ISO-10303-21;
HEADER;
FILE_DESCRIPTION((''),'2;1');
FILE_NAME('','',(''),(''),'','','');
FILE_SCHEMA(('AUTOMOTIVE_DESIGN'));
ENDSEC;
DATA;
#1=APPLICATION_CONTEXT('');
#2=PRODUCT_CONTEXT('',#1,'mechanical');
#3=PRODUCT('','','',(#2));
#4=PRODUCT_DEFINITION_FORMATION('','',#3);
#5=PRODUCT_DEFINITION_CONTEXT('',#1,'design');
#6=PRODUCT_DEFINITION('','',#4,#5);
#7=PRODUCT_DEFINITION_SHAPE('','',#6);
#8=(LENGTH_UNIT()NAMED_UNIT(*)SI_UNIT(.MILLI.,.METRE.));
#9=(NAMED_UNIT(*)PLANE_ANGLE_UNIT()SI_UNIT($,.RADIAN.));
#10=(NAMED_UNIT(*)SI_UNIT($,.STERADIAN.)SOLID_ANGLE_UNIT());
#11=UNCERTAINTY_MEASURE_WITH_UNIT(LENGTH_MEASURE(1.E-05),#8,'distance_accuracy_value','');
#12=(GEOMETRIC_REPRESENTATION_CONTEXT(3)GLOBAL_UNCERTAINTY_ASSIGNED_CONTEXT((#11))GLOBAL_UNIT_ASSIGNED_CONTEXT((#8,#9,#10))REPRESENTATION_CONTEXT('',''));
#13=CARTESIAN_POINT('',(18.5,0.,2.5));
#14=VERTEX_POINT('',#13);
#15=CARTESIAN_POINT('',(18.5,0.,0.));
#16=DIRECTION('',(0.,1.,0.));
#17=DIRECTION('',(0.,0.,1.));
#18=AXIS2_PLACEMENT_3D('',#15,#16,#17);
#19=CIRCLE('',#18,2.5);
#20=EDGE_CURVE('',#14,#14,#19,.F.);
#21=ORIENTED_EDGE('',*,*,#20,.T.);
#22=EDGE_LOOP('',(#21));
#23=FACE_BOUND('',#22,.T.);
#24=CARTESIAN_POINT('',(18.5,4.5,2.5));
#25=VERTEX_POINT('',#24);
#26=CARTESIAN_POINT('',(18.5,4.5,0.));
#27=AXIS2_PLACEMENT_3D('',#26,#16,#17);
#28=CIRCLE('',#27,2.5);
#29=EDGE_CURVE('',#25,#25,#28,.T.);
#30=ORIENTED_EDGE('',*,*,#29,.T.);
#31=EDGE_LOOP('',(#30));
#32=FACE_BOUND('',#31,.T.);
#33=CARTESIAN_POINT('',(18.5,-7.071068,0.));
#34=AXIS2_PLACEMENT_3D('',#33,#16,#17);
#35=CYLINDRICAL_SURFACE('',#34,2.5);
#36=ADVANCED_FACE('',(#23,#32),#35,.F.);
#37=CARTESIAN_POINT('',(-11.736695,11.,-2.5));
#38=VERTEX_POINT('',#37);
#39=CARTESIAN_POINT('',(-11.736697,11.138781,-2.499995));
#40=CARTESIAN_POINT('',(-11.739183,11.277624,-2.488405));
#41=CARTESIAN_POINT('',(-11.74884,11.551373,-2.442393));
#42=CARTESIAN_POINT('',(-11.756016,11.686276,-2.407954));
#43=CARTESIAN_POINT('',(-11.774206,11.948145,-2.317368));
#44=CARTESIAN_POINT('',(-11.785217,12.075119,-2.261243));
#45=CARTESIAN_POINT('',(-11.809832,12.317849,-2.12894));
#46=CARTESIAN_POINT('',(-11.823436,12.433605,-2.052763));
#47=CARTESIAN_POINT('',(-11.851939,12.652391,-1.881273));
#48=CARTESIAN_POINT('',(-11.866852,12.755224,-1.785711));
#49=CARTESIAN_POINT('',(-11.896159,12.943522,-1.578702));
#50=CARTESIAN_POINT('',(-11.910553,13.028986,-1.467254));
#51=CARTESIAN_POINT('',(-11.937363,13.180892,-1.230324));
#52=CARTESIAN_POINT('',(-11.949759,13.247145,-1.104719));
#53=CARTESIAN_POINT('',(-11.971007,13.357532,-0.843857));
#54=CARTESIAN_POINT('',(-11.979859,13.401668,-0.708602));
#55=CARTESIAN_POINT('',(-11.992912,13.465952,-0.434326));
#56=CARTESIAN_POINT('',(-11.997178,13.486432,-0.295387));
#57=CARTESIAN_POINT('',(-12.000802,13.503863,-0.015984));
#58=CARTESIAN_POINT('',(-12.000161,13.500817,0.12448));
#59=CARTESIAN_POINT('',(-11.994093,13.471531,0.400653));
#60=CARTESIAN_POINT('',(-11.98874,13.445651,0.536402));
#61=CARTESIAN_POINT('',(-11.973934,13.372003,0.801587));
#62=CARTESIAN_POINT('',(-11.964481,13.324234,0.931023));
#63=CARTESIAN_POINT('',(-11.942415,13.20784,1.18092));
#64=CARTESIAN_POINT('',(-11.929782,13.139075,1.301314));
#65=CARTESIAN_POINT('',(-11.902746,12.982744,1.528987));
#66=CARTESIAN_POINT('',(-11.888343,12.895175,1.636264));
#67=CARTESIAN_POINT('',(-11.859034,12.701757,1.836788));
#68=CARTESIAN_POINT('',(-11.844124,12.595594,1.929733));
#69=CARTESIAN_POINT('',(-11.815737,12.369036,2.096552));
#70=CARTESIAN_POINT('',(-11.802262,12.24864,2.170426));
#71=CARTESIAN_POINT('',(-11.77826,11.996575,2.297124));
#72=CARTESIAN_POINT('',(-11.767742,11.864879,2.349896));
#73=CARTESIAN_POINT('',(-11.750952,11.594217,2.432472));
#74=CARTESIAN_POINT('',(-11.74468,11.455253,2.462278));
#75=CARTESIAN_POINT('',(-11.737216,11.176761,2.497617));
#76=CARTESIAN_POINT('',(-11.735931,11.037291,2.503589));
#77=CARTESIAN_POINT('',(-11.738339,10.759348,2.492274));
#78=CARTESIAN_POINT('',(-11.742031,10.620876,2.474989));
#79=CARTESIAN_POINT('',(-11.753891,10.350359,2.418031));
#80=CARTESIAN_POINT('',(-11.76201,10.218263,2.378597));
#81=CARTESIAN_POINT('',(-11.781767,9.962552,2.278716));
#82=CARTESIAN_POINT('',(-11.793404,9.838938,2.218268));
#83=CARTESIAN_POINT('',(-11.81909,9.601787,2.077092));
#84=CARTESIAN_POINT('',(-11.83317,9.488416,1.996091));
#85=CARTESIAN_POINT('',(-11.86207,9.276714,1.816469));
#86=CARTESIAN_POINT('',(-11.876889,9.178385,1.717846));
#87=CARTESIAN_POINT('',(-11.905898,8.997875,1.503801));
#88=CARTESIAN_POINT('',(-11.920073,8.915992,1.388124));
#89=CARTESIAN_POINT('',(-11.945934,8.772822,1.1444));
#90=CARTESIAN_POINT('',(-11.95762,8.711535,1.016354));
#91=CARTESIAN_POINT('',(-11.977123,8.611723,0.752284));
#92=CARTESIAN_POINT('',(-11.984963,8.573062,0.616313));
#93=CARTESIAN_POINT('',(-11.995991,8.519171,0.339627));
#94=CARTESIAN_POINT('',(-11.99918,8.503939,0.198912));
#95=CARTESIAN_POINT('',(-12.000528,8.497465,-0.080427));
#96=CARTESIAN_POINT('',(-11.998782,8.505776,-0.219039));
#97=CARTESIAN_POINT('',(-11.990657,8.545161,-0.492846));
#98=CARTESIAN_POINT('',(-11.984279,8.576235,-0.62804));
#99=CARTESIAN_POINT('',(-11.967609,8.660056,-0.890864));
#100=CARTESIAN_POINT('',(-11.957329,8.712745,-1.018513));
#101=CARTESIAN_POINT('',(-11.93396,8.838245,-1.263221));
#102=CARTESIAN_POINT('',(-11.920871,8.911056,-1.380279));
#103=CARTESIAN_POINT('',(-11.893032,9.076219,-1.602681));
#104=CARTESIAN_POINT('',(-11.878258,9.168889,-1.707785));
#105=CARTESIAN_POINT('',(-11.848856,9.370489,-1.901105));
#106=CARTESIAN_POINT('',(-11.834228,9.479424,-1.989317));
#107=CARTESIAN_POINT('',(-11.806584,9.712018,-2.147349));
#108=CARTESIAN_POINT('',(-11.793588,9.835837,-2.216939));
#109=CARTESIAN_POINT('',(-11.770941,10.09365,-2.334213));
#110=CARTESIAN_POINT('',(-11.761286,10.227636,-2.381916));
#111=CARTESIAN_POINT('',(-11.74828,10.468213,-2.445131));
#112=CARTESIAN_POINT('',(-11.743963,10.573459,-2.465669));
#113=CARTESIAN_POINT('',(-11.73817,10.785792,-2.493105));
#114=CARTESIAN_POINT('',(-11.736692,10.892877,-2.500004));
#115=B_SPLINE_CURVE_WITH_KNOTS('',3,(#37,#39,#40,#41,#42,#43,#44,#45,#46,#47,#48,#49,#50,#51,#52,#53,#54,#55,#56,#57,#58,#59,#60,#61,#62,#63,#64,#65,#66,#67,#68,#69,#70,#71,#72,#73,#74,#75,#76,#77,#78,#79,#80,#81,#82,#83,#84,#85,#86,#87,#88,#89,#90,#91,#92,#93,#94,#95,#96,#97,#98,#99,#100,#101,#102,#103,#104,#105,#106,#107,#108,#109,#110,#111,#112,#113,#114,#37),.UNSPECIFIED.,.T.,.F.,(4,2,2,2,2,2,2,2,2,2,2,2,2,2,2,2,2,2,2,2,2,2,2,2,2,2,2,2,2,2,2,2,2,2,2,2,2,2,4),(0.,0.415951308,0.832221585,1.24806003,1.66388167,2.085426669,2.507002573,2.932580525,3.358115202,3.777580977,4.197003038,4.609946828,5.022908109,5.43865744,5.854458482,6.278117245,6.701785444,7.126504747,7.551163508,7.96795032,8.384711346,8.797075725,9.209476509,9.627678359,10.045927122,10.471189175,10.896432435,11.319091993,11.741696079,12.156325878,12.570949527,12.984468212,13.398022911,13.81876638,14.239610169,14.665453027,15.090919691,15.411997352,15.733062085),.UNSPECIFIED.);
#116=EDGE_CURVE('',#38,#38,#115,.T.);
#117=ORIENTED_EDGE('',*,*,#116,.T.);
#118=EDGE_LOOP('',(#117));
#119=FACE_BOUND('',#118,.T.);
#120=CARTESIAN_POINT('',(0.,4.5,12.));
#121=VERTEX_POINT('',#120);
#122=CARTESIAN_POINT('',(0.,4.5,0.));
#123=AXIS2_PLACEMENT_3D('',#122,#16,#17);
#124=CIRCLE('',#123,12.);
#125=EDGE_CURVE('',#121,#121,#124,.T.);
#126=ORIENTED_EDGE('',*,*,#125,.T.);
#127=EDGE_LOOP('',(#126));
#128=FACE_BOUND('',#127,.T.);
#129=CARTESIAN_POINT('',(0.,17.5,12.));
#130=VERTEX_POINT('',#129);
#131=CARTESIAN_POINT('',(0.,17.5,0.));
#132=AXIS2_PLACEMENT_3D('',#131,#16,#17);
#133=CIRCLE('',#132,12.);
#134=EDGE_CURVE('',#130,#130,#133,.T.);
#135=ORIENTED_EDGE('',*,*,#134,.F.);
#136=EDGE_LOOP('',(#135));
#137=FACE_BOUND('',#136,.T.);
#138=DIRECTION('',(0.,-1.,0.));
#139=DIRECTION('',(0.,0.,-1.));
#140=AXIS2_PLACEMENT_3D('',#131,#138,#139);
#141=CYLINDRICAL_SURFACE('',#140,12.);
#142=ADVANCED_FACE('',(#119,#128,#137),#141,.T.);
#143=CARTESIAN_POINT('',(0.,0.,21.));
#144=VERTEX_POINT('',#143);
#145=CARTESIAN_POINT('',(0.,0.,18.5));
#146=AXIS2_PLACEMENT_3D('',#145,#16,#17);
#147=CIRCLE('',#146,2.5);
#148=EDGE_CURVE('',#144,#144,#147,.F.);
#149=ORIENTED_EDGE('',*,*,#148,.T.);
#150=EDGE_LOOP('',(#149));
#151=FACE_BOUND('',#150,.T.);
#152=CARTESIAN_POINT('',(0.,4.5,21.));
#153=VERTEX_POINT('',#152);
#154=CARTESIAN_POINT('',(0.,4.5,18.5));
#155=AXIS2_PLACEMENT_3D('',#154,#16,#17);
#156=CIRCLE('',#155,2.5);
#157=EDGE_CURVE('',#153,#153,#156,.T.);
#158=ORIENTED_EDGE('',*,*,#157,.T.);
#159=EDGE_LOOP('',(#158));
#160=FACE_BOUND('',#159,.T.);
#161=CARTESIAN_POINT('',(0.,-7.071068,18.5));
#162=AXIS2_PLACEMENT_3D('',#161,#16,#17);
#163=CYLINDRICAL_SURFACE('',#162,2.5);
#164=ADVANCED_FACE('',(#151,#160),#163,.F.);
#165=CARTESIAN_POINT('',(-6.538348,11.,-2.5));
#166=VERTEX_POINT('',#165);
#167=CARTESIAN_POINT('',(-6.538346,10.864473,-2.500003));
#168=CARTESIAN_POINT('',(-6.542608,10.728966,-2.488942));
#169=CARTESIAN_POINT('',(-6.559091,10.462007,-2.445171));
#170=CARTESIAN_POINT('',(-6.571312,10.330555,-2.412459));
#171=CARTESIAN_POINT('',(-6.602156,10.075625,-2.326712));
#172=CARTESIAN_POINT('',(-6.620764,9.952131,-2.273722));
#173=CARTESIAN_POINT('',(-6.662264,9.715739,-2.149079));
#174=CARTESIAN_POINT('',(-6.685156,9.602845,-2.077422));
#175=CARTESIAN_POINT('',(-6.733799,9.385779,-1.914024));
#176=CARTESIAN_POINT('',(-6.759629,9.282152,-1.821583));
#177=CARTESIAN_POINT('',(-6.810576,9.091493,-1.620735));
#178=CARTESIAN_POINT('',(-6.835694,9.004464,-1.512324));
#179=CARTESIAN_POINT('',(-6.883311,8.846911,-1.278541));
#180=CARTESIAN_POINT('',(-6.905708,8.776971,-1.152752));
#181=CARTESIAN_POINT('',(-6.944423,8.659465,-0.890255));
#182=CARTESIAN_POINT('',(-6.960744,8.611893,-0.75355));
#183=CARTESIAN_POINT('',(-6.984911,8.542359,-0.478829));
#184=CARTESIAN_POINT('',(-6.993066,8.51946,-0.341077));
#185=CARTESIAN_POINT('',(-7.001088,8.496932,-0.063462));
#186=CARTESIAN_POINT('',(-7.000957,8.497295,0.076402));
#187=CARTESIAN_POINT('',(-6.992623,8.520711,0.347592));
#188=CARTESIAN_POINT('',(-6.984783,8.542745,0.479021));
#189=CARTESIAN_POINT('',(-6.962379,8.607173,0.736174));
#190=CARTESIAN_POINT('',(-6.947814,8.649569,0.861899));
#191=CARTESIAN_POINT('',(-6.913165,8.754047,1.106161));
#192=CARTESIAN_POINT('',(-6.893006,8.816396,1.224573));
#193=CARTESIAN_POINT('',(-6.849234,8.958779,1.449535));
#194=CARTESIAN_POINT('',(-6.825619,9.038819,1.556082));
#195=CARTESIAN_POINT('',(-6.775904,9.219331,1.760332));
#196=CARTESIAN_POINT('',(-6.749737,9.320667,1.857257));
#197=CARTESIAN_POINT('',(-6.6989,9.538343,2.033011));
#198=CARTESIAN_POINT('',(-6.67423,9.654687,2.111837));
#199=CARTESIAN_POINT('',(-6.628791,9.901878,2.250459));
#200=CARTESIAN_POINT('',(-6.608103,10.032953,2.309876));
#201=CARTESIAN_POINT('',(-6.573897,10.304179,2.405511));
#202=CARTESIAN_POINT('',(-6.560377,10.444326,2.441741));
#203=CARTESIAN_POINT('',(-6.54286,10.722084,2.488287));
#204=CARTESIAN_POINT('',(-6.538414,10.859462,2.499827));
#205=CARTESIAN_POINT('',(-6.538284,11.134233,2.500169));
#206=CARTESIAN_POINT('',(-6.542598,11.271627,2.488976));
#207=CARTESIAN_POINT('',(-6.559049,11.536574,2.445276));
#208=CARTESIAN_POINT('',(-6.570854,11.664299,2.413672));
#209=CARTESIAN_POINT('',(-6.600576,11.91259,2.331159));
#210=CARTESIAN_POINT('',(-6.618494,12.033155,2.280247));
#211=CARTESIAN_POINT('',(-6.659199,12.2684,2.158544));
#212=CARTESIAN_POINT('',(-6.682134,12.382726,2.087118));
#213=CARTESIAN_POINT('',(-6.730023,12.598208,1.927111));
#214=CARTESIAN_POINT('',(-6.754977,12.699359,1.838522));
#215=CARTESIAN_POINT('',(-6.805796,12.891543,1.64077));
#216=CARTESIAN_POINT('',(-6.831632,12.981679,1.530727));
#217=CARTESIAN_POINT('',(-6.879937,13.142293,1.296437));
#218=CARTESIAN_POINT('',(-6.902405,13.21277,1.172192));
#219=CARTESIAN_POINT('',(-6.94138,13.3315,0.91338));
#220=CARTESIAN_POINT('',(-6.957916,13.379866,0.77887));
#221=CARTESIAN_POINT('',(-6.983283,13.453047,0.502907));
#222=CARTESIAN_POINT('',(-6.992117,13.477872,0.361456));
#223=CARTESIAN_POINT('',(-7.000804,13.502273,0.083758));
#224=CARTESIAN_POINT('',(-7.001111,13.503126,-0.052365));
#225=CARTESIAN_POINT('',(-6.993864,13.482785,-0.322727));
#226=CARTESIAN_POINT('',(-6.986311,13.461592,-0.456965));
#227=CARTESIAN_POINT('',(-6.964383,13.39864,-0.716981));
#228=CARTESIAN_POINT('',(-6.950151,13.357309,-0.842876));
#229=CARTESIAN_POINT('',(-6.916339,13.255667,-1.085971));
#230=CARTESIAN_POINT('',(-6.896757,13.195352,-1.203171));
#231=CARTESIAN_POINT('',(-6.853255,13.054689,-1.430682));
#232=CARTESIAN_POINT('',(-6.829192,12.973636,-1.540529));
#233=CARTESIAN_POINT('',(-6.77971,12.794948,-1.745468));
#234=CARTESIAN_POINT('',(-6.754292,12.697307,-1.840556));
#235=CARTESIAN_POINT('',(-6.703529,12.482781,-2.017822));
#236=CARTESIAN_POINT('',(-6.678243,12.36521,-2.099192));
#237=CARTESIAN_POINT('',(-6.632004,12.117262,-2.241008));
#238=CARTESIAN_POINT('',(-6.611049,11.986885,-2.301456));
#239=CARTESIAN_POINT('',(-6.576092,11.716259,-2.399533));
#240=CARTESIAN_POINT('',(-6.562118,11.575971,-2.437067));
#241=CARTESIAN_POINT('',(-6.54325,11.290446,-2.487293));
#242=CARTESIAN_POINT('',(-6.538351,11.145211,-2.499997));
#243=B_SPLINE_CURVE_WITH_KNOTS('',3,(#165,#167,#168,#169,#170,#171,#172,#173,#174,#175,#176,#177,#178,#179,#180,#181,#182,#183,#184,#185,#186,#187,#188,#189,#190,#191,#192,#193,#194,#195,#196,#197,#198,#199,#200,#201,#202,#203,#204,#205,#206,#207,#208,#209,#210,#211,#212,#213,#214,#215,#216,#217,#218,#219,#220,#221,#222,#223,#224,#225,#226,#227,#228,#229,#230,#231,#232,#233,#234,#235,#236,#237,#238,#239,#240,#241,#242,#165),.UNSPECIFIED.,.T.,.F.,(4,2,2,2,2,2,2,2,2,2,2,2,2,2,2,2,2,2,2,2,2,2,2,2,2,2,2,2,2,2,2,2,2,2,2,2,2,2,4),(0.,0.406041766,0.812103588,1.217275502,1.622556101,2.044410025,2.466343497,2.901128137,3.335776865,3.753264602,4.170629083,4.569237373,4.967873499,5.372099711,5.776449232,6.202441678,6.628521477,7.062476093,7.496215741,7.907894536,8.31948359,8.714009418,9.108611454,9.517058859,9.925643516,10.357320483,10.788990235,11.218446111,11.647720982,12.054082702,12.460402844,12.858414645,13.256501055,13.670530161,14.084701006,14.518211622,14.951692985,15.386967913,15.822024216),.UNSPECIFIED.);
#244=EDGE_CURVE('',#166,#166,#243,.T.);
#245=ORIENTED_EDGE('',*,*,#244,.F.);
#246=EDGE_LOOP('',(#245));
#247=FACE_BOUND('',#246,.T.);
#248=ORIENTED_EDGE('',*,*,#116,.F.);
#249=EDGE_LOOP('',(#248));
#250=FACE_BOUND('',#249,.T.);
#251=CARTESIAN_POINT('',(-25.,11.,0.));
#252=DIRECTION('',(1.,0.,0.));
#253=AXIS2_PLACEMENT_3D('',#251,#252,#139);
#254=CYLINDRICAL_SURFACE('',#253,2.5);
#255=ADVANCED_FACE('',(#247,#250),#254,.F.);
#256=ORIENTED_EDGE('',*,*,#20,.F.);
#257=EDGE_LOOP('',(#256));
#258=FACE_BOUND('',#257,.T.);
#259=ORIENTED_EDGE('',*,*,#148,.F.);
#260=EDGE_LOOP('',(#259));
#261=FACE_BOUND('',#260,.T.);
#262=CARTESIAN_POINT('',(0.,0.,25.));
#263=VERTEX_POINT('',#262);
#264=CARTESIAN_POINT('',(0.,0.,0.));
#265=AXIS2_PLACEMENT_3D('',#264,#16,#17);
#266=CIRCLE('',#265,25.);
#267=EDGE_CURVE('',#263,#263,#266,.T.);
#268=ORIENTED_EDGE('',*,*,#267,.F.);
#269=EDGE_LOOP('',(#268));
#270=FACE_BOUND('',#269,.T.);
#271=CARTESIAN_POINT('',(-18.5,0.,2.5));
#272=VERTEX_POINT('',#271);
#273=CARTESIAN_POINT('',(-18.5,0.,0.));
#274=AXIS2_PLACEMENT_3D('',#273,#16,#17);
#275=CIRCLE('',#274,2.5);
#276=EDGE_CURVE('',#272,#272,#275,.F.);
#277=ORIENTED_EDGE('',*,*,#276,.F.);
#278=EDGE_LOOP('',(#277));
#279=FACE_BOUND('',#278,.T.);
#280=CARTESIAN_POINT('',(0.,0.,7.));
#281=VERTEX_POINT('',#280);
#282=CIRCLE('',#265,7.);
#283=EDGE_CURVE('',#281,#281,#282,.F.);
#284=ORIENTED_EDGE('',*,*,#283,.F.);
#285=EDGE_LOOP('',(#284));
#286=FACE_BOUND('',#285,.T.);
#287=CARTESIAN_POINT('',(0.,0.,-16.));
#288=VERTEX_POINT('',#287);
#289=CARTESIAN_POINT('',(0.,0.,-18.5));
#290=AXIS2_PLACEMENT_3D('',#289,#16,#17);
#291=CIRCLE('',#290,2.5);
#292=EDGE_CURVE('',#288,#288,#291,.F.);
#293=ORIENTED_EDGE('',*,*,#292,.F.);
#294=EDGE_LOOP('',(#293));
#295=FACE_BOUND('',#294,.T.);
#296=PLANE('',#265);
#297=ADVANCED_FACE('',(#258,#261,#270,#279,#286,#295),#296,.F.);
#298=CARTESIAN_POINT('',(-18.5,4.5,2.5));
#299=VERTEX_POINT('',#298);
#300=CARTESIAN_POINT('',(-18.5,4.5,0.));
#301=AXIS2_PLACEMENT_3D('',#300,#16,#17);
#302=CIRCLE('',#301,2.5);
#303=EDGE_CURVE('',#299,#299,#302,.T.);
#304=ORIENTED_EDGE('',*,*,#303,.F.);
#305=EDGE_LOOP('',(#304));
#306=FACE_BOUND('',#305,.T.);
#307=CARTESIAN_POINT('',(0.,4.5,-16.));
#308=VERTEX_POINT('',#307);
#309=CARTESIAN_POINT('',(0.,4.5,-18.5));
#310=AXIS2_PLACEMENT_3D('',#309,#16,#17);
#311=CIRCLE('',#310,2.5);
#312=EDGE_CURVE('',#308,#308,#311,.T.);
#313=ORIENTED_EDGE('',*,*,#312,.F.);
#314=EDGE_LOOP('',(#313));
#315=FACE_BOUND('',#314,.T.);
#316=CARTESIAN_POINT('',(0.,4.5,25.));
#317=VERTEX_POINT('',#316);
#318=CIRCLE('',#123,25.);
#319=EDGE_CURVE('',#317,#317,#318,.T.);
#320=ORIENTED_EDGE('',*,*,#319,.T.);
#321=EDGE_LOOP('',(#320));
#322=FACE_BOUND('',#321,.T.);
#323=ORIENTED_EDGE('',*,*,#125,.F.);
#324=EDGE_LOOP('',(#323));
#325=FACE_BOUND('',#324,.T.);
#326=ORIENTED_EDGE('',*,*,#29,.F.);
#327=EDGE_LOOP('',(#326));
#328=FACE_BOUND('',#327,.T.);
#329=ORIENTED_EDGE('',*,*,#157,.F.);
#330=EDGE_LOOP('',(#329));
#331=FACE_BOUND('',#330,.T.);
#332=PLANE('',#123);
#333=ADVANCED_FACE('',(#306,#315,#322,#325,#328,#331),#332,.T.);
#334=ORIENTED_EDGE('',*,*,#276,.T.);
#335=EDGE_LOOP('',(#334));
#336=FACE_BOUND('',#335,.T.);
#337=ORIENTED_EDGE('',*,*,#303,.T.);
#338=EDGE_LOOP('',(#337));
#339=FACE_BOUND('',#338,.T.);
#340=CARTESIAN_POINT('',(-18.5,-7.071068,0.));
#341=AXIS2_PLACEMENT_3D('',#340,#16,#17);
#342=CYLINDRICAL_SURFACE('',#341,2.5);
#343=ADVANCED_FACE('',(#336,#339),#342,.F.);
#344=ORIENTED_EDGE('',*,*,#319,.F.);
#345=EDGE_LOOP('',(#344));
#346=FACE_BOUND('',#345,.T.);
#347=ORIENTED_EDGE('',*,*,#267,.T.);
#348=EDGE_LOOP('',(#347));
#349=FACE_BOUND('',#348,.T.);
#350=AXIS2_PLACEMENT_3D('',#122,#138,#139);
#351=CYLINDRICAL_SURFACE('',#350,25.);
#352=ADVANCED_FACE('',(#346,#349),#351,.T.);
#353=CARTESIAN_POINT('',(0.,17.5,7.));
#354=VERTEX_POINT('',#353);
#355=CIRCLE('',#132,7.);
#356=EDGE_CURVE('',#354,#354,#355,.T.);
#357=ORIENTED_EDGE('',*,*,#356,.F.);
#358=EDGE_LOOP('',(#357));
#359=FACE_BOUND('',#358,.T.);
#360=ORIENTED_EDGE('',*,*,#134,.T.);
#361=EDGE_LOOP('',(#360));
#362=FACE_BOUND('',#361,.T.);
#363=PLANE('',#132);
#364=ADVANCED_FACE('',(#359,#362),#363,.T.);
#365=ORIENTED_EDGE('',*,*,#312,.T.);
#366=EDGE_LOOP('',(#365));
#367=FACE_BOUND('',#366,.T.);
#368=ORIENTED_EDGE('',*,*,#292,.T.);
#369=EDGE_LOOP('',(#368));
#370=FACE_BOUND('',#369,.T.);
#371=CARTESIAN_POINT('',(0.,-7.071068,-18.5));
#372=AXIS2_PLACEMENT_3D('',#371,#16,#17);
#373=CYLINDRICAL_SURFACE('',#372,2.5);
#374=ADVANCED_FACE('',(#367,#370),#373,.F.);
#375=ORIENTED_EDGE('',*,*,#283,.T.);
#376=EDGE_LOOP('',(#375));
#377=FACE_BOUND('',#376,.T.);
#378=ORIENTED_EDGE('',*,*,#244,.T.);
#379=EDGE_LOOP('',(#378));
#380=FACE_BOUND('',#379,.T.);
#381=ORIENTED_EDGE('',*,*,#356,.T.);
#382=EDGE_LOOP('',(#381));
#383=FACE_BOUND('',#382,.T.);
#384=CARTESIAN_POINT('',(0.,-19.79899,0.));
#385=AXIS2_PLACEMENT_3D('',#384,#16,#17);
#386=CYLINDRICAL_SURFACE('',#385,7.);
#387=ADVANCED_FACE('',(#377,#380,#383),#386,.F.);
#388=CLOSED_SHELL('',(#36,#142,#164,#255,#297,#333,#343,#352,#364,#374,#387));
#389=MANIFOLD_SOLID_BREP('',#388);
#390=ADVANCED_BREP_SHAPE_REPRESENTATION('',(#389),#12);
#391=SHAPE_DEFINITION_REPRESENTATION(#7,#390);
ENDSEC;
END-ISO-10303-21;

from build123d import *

# Parameters (mm, degrees)
SKETCH1_R           = 25
BOSS_EXTRUDE1_DEPTH = 4.5
SKETCH2_R           = 12
BOSS_EXTRUDE2_DEPTH = 13
SKETCH3_R           = 7
CUT_EXTRUDE1_DEPTH  = 17.5
SKETCH4_R           = 2.5
CUT_EXTRUDE2_DEPTH  = 4.5
SKETCH5_R           = 2.5
CUT_EXTRUDE3_DEPTH  = 25


with BuildPart() as part:
    # Sketch1 → Boss-Extrude1 (new body)
    with BuildSketch(Plane(origin=(0, 0, 0), x_dir=(1, 0, 0), z_dir=(0, 1, 0))):
        Circle(SKETCH1_R)
    extrude(amount=BOSS_EXTRUDE1_DEPTH)

    # Sketch2 → Boss-Extrude2 (add)
    with BuildSketch(Plane(origin=(0, 4.5, 0), x_dir=(1, 0, 0), z_dir=(0, 1, 0))):
        Circle(SKETCH2_R)
    extrude(amount=BOSS_EXTRUDE2_DEPTH)

    # Sketch3 → Cut-Extrude1 (cut)
    with BuildSketch(Plane(origin=(0, 17.5, 0), x_dir=(1, 0, 0), z_dir=(0, 1, 0))):
        Circle(SKETCH3_R)
    extrude(amount=-CUT_EXTRUDE1_DEPTH, mode=Mode.SUBTRACT)

    # Sketch4 → Cut-Extrude2 (cut)
    with BuildSketch(Plane(origin=(0, 4.5, 0), x_dir=(1, 0, 0), z_dir=(0, 1, 0))):
        with Locations((-18.5, 0)):
            Circle(SKETCH4_R)
        with Locations((0, 18.5)):
            Circle(SKETCH4_R)
        with Locations((18.5, 0)):
            Circle(SKETCH4_R)
        with Locations((0, -18.5)):
            Circle(SKETCH4_R)
    extrude(amount=-CUT_EXTRUDE2_DEPTH, mode=Mode.SUBTRACT)

    # Sketch5 → Cut-Extrude3 (cut)
    with BuildSketch(Plane(origin=(0, 0, 0), x_dir=(0, 0, -1), z_dir=(1, 0, 0))):
        with Locations((0, 11)):
            Circle(SKETCH5_R)
    extrude(amount=-CUT_EXTRUDE3_DEPTH, mode=Mode.SUBTRACT)


solid = part.part
